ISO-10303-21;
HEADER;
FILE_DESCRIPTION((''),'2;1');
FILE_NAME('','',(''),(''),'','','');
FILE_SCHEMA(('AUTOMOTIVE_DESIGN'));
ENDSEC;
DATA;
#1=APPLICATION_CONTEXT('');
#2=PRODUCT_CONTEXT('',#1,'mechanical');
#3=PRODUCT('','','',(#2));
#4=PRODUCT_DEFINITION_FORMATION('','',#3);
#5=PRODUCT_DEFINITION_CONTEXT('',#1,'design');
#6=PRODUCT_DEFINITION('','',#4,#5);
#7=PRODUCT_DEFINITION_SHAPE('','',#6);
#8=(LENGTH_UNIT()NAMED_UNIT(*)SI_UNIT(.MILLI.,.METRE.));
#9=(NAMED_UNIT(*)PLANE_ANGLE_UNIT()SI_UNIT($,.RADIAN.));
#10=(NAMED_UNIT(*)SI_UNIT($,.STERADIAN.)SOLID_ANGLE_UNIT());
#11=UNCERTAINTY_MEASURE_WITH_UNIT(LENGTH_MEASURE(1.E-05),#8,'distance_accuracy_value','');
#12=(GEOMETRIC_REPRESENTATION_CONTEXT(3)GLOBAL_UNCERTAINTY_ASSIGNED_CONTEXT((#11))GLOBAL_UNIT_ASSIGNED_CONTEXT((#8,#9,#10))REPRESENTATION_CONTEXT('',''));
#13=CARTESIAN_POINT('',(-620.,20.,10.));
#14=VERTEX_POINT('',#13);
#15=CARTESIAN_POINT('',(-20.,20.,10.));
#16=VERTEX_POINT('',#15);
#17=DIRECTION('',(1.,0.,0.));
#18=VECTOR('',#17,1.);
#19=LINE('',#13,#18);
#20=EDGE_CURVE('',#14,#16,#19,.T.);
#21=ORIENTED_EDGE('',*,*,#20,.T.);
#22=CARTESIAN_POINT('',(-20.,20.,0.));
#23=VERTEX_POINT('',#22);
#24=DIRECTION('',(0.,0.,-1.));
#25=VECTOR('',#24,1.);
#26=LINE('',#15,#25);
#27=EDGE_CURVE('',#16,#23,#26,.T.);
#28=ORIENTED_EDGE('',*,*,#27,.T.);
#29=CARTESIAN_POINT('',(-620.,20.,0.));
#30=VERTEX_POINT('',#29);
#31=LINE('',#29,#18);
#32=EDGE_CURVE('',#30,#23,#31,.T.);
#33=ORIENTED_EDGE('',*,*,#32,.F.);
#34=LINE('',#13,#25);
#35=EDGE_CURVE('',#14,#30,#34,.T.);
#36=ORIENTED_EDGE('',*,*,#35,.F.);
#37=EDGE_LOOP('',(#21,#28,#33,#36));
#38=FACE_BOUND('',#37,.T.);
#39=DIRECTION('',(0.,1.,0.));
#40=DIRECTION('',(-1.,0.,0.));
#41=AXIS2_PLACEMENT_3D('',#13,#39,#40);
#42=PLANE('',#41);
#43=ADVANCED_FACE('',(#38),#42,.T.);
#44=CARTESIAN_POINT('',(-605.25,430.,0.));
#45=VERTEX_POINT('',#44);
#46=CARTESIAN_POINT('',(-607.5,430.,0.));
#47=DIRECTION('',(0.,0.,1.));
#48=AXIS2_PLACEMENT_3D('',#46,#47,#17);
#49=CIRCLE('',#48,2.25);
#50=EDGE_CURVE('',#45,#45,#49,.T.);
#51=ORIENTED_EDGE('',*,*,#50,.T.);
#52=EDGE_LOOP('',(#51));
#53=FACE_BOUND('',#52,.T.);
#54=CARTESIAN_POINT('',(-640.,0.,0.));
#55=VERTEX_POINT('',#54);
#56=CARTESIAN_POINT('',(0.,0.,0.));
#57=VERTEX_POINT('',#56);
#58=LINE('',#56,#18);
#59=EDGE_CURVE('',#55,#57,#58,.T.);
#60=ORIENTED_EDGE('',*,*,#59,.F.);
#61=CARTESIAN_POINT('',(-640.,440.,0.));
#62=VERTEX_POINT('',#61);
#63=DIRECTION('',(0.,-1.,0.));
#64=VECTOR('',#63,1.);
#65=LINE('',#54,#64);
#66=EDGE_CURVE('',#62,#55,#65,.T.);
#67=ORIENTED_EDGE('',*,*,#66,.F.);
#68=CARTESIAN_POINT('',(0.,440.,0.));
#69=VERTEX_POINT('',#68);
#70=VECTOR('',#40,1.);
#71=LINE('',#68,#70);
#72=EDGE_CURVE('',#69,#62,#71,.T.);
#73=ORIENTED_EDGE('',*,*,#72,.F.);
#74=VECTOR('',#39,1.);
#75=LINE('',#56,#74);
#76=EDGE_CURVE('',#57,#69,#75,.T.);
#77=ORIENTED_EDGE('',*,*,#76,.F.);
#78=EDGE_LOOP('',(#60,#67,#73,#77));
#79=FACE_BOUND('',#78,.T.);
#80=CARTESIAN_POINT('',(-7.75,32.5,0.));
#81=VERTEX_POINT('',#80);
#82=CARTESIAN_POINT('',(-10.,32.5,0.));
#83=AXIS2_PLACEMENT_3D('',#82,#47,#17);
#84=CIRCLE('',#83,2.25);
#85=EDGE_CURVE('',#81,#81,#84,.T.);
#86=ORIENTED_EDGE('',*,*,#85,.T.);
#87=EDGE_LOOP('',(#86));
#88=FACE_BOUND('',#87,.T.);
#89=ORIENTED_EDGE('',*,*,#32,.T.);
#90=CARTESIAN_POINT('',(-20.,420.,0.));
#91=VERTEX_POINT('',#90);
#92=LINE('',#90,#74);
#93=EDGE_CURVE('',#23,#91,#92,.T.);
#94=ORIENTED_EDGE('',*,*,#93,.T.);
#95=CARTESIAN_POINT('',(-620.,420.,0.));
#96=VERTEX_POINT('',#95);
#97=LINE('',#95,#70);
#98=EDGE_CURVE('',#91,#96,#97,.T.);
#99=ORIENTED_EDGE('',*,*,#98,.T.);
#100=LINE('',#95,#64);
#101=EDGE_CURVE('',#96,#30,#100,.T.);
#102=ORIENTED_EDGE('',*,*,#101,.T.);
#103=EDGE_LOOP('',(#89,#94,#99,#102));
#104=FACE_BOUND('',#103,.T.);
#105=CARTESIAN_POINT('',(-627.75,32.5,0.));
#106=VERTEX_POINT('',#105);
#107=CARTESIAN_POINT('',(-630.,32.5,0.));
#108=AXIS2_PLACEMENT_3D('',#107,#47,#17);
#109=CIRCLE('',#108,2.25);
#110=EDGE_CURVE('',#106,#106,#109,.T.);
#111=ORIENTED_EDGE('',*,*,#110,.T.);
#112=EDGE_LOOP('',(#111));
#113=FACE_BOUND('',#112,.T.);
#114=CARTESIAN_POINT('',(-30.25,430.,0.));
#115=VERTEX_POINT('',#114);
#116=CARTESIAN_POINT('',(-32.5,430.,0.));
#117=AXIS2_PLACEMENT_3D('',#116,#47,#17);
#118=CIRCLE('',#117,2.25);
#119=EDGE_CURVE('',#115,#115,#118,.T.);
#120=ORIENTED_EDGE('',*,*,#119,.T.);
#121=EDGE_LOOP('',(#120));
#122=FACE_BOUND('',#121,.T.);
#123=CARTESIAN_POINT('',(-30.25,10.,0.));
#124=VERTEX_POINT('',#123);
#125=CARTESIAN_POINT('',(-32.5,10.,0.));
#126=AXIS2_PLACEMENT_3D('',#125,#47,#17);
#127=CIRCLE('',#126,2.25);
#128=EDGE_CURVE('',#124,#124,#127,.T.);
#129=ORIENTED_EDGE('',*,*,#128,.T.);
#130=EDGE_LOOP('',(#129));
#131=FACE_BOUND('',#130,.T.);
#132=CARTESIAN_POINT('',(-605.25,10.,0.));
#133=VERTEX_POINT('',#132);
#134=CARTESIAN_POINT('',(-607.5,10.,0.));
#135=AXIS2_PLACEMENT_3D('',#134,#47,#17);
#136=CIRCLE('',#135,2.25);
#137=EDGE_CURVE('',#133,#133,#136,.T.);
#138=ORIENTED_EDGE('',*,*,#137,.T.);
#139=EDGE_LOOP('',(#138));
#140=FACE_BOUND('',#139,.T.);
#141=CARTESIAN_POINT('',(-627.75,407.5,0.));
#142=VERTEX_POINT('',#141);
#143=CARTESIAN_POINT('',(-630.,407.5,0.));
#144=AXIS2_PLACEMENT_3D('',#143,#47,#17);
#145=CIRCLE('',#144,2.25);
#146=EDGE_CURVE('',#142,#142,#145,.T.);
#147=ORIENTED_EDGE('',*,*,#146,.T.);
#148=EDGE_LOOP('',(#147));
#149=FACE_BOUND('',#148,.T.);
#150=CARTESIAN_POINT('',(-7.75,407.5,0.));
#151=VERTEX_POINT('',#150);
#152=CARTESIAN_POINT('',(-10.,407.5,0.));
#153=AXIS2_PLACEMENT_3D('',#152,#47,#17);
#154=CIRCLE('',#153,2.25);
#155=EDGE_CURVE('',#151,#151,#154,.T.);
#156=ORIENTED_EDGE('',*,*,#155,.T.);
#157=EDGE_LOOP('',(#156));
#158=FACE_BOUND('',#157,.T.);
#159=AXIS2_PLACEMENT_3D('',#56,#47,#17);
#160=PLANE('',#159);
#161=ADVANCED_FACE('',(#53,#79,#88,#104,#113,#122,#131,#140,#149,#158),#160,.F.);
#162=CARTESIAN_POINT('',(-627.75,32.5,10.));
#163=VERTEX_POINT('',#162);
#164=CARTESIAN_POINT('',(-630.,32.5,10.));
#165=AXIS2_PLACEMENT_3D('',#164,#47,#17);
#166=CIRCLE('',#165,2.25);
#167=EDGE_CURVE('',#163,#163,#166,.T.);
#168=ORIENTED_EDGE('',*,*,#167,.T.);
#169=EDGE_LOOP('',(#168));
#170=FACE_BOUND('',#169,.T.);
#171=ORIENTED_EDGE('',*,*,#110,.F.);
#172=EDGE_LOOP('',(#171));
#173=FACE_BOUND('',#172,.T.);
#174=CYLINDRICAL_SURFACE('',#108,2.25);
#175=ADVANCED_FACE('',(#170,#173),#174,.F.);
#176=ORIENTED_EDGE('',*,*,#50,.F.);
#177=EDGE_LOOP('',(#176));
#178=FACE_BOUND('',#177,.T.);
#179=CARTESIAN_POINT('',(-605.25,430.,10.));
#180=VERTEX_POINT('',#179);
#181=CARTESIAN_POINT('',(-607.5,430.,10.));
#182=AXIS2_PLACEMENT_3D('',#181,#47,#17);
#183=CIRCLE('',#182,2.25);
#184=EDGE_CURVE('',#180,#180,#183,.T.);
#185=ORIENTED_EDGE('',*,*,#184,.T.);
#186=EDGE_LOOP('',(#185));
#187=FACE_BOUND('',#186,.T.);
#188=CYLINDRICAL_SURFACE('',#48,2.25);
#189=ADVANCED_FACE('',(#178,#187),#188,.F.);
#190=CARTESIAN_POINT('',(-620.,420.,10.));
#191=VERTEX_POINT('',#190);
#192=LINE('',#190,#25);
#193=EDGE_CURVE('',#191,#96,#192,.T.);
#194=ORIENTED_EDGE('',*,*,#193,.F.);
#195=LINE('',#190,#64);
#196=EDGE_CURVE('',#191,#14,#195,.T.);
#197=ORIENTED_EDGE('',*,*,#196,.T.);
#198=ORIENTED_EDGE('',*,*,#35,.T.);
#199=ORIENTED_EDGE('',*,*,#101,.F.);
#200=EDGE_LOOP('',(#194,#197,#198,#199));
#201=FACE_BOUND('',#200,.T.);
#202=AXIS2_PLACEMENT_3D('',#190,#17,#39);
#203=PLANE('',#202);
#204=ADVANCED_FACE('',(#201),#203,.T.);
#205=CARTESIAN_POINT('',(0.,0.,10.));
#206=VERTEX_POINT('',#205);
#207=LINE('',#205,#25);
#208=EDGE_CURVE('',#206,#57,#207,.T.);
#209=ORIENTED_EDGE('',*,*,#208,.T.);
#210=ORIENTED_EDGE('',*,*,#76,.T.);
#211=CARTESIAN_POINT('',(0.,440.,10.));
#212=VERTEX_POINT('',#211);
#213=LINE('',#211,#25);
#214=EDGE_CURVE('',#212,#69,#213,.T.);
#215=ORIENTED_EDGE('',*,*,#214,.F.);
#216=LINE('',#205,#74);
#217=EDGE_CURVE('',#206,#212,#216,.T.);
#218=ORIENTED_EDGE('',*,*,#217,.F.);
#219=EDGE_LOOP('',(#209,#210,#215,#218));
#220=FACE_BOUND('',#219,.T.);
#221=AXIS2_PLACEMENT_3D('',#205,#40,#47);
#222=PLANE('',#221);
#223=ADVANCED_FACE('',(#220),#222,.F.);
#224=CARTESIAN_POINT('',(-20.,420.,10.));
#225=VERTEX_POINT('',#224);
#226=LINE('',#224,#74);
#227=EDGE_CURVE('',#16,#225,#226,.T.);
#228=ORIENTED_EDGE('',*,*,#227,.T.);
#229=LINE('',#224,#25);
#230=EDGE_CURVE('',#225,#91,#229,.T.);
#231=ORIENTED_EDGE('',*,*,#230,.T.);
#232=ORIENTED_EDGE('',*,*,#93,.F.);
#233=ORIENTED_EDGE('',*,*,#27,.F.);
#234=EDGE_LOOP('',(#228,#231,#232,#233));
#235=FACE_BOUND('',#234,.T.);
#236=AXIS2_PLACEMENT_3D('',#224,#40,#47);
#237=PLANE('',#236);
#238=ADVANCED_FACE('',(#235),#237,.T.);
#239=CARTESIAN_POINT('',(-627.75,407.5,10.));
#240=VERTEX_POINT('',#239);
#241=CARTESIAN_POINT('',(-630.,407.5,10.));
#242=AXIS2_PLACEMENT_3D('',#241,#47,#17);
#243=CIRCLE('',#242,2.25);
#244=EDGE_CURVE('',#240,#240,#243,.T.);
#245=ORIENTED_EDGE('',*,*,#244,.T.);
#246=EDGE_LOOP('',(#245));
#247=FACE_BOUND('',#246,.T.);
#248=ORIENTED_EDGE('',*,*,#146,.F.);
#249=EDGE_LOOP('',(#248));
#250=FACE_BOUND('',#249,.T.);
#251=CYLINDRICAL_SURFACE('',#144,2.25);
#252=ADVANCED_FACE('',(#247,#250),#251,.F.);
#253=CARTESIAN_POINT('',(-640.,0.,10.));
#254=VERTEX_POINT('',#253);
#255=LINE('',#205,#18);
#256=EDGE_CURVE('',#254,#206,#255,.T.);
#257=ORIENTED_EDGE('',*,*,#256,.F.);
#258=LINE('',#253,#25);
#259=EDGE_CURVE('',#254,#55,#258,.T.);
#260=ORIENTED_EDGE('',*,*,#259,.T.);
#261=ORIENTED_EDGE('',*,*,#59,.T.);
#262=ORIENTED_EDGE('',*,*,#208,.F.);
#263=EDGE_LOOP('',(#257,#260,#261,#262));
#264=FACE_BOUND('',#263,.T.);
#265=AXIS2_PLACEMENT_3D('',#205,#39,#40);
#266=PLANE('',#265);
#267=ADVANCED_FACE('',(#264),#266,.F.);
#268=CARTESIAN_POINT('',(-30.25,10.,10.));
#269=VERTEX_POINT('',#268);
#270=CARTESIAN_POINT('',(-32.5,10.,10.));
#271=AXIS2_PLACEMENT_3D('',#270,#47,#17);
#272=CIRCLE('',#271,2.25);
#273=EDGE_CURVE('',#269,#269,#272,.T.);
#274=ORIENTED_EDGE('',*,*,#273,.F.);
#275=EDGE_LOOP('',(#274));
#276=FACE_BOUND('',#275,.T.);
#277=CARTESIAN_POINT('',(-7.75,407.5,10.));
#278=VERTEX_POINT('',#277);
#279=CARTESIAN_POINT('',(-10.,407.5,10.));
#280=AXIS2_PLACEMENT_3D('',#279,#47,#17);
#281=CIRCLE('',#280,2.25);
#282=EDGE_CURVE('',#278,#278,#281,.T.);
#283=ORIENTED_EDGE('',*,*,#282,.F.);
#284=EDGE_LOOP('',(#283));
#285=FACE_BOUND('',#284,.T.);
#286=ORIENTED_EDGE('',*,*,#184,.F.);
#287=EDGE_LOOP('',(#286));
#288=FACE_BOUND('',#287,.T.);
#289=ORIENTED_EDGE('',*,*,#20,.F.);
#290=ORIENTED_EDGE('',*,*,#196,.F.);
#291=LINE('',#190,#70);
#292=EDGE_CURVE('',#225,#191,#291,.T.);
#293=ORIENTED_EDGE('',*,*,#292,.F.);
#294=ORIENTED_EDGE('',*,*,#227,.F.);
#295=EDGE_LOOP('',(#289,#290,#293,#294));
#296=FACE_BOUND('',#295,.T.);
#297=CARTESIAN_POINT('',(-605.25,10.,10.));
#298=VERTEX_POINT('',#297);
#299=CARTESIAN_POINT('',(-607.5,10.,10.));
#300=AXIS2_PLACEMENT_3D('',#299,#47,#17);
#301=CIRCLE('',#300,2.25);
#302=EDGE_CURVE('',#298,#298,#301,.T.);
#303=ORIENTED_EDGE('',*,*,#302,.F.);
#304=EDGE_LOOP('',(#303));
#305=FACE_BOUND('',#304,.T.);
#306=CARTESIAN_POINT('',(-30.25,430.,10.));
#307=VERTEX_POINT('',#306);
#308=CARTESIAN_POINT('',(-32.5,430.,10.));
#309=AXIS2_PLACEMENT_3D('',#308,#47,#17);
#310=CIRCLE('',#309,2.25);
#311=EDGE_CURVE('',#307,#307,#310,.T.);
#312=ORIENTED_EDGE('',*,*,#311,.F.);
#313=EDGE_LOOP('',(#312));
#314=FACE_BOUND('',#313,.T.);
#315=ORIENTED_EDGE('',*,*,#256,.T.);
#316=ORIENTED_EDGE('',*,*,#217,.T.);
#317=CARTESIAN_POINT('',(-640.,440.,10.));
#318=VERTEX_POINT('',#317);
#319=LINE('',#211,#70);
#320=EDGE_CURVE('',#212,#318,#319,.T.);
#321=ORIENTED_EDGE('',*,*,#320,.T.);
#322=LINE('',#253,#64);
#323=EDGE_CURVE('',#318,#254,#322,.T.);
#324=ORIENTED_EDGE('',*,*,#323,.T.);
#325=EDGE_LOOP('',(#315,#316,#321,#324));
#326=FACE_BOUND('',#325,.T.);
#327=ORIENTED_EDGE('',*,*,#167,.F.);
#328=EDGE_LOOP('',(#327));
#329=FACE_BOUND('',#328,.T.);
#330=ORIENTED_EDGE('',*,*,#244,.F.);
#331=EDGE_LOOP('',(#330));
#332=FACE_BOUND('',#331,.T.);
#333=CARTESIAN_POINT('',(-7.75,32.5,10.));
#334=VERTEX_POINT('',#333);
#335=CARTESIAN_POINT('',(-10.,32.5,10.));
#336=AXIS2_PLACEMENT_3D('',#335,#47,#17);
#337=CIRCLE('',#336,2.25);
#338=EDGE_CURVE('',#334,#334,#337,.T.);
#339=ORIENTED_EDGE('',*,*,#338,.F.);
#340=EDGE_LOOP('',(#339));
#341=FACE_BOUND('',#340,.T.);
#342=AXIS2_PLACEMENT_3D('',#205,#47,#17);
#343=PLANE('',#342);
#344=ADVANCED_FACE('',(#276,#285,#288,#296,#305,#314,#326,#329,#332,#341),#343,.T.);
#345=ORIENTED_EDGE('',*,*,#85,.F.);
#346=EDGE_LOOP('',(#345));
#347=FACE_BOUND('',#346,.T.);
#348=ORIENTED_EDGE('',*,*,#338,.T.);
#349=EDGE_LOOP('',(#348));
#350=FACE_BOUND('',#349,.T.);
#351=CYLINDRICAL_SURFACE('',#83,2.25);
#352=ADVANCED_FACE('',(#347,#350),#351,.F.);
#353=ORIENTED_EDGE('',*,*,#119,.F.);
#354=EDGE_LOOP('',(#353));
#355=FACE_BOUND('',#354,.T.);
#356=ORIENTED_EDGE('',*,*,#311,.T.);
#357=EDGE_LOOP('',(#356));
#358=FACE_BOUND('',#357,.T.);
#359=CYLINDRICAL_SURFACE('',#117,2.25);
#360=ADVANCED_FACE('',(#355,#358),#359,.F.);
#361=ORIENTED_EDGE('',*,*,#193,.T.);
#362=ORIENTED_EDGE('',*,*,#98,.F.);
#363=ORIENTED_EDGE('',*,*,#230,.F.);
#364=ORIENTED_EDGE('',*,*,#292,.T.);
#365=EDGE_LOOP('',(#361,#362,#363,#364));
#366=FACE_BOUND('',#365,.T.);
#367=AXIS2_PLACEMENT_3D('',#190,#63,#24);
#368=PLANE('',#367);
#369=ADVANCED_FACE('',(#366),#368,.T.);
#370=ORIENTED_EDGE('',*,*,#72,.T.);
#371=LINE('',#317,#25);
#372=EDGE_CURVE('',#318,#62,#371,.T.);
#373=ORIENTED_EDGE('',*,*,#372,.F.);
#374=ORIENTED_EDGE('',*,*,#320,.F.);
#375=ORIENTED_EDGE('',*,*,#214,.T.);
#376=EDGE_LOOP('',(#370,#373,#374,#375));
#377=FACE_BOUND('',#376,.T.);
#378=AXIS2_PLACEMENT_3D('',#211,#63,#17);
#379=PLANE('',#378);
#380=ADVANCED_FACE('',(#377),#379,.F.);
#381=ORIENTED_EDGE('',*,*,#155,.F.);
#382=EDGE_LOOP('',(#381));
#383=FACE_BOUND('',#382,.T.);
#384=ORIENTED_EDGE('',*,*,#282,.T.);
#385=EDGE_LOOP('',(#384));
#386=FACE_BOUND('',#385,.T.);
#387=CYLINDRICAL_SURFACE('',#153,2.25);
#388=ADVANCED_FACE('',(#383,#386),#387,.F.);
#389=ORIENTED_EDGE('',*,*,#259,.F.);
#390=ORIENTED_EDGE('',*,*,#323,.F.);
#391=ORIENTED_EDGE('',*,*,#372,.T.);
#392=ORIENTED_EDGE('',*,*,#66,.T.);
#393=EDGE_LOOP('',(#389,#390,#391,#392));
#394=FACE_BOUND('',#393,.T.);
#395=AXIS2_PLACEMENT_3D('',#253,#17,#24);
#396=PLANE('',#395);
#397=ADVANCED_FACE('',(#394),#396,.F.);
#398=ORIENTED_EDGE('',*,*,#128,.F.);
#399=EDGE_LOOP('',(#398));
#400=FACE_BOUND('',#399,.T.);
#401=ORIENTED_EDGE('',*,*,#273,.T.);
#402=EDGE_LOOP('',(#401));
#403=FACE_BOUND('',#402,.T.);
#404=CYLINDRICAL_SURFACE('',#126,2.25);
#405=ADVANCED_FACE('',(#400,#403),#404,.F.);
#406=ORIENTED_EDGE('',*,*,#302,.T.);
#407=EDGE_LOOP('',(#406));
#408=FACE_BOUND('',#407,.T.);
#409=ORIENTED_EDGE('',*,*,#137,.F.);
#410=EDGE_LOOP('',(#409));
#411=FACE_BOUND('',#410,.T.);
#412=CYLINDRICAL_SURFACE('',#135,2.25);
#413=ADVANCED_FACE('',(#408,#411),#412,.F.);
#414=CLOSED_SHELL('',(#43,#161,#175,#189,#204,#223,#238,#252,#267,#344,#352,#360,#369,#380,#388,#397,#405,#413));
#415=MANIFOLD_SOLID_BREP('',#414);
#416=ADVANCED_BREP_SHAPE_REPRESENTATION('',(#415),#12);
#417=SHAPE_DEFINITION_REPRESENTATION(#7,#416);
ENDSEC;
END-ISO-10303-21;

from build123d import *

# Parameters (mm, degrees)
ESQUISSE1_W             = 640
ESQUISSE1_H             = 440
ESQUISSE1_W_2           = 600
ESQUISSE1_H_2           = 400
BOSS_EXTRU_1_DEPTH      = 10
ESQUISSE2_R             = 2.25
ENL_V_MAT_EXTRU_1_DEPTH = 11


with BuildPart() as part:
    # Esquisse1 → Boss.-Extru.1 (new body)
    with BuildSketch(Plane.XY):
        with Locations((-320, 220)):
            Rectangle(ESQUISSE1_W, ESQUISSE1_H)
        with Locations((-320, 220)):
            Rectangle(ESQUISSE1_W_2, ESQUISSE1_H_2, mode=Mode.SUBTRACT)
    extrude(amount=BOSS_EXTRU_1_DEPTH)

    # Esquisse2 → Enlèv. mat.-Extru.1 (cut, through all)
    with BuildSketch(Plane.XY.offset(10)):
        with Locations((-32.5, 430)):
            Circle(ESQUISSE2_R)
        with Locations((-10, 407.5)):
            Circle(ESQUISSE2_R)
        with Locations((-607.5, 430)):
            Circle(ESQUISSE2_R)
        with Locations((-630, 407.5)):
            Circle(ESQUISSE2_R)
        with Locations((-630, 32.5)):
            Circle(ESQUISSE2_R)
        with Locations((-607.5, 10)):
            Circle(ESQUISSE2_R)
        with Locations((-32.5, 10)):
            Circle(ESQUISSE2_R)
        with Locations((-10, 32.5)):
            Circle(ESQUISSE2_R)
    extrude(amount=-ENL_V_MAT_EXTRU_1_DEPTH, mode=Mode.SUBTRACT)


solid = part.part
